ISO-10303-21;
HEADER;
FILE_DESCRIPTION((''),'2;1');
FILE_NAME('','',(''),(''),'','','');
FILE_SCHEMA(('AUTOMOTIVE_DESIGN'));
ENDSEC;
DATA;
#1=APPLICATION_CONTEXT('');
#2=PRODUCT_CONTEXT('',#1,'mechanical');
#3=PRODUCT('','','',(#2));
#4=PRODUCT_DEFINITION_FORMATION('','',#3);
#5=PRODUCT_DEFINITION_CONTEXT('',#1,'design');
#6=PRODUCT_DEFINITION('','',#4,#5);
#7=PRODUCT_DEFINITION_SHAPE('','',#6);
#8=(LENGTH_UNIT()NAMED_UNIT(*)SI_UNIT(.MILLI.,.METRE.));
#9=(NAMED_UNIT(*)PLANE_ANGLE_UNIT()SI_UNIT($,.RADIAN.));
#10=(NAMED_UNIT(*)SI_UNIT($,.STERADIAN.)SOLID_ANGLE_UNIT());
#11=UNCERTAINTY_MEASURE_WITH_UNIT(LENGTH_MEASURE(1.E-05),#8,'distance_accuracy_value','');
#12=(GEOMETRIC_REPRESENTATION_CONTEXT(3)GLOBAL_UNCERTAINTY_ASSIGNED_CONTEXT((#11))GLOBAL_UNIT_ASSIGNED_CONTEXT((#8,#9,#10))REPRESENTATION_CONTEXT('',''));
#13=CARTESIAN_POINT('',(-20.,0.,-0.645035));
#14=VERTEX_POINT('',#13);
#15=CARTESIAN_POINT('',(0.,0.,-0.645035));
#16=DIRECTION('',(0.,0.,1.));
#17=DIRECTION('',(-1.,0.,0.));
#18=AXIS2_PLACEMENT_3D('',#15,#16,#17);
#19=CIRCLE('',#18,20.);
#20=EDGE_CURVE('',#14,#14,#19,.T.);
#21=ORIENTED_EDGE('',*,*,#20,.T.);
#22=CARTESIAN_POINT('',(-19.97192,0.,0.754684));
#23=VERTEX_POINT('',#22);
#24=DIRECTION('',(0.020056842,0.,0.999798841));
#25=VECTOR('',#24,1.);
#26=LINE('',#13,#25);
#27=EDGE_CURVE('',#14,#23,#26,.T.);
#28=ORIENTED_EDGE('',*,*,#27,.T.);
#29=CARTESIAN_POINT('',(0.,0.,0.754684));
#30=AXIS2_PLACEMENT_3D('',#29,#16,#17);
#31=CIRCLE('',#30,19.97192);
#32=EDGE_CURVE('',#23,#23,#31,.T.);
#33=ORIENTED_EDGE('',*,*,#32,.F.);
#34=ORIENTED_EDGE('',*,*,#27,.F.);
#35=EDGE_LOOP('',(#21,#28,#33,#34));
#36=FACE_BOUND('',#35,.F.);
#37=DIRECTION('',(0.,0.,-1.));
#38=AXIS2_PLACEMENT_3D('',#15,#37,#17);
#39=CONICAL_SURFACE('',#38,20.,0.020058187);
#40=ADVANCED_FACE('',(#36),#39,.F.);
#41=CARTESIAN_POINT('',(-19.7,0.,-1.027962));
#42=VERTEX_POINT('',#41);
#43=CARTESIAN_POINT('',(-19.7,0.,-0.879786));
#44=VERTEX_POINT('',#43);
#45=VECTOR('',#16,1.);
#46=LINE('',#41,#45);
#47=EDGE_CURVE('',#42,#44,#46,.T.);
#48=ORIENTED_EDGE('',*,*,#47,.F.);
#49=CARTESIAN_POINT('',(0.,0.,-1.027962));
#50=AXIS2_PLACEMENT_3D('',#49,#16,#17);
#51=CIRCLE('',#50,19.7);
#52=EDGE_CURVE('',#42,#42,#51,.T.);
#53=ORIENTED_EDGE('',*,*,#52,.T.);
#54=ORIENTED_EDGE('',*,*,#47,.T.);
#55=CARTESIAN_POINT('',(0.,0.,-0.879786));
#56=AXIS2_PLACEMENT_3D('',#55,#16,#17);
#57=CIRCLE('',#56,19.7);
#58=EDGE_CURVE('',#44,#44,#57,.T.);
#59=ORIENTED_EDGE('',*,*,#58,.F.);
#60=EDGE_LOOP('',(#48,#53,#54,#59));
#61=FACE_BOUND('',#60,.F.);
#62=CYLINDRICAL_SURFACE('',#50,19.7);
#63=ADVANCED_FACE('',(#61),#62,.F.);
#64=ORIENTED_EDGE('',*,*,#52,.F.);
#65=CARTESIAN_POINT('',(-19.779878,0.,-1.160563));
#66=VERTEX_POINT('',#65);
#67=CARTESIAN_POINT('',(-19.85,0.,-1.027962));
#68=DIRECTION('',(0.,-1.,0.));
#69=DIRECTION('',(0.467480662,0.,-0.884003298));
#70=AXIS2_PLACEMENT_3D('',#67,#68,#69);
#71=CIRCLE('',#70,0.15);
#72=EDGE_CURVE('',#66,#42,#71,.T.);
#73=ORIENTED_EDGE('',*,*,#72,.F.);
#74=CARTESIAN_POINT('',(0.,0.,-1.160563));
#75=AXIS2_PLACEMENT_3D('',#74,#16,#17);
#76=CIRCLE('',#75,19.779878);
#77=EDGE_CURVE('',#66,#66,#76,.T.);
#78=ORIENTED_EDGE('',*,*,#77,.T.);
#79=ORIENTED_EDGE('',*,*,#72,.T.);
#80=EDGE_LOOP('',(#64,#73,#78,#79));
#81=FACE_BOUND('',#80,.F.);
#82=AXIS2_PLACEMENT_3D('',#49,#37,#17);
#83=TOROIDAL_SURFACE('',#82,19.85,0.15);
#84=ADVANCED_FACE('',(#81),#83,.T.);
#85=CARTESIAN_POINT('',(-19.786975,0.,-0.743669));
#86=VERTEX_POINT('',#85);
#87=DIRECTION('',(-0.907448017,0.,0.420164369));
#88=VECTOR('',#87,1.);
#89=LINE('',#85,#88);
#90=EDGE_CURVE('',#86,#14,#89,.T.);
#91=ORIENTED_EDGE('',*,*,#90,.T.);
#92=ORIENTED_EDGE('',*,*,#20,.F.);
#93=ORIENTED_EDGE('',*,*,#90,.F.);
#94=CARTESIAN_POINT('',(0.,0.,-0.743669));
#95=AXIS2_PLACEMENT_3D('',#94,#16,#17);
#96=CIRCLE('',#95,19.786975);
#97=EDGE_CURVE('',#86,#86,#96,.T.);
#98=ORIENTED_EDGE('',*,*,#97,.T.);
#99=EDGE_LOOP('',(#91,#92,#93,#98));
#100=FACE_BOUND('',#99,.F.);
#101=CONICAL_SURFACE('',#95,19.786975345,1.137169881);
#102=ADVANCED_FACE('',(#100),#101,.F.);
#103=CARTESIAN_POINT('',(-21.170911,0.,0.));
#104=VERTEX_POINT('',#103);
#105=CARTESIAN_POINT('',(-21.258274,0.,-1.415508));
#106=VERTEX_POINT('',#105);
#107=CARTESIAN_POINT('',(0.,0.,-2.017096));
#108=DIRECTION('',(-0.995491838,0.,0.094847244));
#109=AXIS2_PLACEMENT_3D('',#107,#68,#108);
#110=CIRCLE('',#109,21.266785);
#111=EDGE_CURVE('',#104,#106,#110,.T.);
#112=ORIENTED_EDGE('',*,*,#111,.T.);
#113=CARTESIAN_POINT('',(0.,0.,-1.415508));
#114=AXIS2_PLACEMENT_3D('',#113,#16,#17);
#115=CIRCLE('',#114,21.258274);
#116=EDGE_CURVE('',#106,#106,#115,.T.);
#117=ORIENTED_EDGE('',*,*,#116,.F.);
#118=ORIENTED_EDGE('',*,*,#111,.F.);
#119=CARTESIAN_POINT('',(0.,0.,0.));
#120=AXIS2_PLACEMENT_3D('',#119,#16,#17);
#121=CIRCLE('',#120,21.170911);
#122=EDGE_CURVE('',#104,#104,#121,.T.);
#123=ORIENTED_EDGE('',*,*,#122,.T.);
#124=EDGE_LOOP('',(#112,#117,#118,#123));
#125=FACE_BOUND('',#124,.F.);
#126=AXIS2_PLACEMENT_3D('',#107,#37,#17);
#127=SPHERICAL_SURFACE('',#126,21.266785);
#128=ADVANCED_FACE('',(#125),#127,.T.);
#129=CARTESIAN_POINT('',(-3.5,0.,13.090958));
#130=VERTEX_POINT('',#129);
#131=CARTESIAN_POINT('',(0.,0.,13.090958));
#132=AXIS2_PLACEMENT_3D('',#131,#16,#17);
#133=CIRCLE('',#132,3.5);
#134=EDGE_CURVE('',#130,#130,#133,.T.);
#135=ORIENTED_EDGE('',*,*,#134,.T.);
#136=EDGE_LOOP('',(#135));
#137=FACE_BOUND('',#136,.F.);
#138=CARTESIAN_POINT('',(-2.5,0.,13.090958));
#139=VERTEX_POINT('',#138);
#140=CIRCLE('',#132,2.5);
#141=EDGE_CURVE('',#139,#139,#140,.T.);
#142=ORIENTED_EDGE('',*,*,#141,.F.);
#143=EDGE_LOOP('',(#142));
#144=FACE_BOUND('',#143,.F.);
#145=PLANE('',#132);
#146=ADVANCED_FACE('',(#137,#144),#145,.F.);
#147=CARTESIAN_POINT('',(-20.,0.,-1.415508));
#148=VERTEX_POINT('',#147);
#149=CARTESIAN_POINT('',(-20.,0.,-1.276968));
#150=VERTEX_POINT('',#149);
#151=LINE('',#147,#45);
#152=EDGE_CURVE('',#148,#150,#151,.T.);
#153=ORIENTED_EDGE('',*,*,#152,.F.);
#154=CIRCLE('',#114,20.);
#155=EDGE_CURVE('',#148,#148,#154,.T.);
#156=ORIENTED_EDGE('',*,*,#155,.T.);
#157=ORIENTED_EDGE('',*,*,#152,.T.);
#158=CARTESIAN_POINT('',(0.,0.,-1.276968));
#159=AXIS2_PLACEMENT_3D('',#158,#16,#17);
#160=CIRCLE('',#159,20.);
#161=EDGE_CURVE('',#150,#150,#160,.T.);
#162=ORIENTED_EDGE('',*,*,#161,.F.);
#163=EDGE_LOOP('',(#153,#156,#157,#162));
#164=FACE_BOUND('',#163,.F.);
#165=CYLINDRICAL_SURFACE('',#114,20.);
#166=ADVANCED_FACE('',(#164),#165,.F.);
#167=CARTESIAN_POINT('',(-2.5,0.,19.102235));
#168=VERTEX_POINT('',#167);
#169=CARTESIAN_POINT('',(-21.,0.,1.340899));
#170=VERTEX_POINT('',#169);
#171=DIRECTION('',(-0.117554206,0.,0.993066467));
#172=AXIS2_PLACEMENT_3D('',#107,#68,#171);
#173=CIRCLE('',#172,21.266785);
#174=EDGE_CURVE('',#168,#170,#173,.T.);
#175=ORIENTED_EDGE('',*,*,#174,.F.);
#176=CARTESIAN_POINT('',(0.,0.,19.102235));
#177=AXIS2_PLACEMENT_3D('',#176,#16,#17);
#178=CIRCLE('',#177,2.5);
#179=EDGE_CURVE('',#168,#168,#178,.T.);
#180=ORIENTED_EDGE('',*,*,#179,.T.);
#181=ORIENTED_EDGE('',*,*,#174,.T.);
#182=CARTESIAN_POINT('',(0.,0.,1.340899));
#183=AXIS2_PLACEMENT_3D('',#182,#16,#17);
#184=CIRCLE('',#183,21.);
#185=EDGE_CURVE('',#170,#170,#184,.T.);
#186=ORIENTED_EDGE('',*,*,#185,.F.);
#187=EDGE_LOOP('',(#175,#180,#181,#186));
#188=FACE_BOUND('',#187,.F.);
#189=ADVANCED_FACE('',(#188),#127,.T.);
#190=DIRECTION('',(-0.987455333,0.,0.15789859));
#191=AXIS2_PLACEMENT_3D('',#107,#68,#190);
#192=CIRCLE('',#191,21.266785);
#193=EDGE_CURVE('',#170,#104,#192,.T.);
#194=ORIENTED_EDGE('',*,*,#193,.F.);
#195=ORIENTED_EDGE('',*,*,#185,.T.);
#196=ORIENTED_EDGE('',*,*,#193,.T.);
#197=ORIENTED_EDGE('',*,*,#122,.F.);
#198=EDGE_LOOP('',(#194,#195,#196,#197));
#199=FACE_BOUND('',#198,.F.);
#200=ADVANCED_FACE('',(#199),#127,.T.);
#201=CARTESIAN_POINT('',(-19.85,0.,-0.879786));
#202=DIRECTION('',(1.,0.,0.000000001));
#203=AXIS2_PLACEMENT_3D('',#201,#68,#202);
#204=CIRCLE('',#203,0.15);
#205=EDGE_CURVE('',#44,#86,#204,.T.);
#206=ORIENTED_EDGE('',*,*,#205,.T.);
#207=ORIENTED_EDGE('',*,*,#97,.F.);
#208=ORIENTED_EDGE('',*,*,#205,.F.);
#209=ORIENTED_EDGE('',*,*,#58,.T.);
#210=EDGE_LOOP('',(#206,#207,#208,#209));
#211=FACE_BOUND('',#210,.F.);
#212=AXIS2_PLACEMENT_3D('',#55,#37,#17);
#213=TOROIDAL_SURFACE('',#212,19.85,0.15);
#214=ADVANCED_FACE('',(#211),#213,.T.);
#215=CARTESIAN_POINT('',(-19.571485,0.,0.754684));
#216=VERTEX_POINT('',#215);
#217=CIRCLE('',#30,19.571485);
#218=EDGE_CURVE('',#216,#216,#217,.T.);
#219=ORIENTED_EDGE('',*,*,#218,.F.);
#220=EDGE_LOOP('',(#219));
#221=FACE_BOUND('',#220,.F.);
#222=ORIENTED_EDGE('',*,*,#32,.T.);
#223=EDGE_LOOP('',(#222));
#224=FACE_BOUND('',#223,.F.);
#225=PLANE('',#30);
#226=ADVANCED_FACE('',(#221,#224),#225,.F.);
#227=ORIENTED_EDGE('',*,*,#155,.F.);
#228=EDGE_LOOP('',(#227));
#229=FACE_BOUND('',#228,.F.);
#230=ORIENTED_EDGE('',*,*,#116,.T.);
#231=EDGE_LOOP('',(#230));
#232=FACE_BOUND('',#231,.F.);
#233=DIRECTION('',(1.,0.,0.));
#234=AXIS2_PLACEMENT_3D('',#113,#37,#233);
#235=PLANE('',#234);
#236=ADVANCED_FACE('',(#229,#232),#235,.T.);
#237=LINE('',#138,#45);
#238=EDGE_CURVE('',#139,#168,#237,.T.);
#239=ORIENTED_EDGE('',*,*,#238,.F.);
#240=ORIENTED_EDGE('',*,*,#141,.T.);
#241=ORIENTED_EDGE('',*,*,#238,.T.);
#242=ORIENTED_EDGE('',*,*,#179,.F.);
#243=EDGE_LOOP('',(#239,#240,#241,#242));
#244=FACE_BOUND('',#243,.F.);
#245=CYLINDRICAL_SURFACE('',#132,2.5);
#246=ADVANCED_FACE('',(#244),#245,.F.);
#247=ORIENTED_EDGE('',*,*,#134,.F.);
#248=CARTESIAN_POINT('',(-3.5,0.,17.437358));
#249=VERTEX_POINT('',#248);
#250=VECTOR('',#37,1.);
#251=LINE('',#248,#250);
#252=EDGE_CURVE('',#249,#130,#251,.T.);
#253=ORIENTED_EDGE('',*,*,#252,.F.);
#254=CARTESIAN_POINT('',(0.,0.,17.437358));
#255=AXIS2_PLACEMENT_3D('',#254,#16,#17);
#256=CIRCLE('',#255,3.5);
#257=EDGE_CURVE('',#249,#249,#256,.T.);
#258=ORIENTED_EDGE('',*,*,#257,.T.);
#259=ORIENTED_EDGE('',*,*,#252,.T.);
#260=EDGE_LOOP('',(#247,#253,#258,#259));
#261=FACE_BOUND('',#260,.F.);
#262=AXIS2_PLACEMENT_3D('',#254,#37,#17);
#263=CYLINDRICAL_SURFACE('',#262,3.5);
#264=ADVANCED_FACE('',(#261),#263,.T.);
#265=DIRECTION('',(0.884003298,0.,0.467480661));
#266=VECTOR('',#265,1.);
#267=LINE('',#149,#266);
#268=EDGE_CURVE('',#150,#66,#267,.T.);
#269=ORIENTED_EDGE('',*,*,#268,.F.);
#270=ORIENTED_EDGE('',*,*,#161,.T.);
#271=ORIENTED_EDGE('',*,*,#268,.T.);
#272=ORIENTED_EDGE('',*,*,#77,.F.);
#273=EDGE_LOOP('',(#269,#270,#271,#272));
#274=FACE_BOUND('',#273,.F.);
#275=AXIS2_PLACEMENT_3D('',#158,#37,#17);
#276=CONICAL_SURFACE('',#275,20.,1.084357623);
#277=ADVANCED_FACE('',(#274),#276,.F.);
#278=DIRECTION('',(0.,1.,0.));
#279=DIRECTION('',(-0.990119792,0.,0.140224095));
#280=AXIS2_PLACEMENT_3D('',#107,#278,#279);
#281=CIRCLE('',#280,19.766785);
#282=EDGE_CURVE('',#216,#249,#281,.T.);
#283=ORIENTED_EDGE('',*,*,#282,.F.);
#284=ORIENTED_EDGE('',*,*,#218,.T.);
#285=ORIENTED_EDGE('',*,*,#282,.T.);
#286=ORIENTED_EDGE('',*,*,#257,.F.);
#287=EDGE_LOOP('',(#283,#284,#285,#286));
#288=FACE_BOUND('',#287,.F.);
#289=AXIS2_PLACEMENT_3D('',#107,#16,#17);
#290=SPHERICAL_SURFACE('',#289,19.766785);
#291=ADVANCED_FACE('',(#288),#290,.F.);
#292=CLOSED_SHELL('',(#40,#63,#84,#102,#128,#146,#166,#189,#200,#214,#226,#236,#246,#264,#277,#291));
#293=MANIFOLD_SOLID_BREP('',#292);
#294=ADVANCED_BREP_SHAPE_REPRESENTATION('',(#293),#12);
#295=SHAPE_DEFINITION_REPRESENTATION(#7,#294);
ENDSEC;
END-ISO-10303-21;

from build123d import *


with BuildPart() as f1:
    # F0 (on Front) → F1 (revolve)
    with BuildSketch(Plane.XZ):
        with BuildLine():
            ThreePointArc((-2.5, 19.1022348606), (-14.7285015996, 13.3239396782), (-21, 1.3408993961))
            Line((-21, 1.3408993961), (-21, 0))
            Line((-21, 0), (-21, -1.4155078679))
            Line((-21, -1.4155078679), (-20, -1.4155078679))
            Line((-20, -1.4155078679), (-20, -1.276968047))
            Line((-20, -1.276968047), (-19.7798779008, -1.1605625712))
            ThreePointArc((-19.7798779008, -1.1605625712), (-19.7215120339, -1.1053626098), (-19.7, -1.0279620765))
            Line((-19.7, -1.0279620765), (-19.7, -0.8797861519))
            ThreePointArc((-19.7, -0.8797861519), (-19.7236004385, -0.7990201266), (-19.7869753447, -0.7436689494))
            Line((-19.7869753447, -0.7436689494), (-20, -0.6450347927))
            Line((-20, -0.6450347927), (-19.9719204218, 0.7546835851))
            Line((-19.9719204218, 0.7546835851), (-19.5714847863, 0.7546835851))
            ThreePointArc((-19.5714847863, 0.7546835851), (-14.2355631855, 11.6969304474), (-3.5, 17.4373580286))
            Line((-3.5, 17.4373580286), (-3.5, 17.5909579977))
            Line((-3.5, 17.5909579977), (-2.5, 17.5909579977))
            Line((-2.5, 17.5909579977), (-2.5, 19.1022348606))
        make_face()
        with BuildLine():
            Line((-21, 0), (-21, 1.3408993961))
            ThreePointArc((-21, 1.3408993961), (-21.096111691, 0.6718079569), (-21.1709106225, 0))
            Line((-21.1709106225, 0), (-21, 0))
        make_face()
        with BuildLine():
            Line((-21, -1.4155078679), (-21, 0))
            Line((-21, 0), (-21.1709106225, 0))
            ThreePointArc((-21.1709106225, 0), (-21.2263950777, -0.7070254877), (-21.2582742561, -1.4155078679))
            Line((-21.2582742561, -1.4155078679), (-21, -1.4155078679))
        make_face()
        with BuildLine():
            ThreePointArc((-3.5, 17.4373580286), (-3.0009828786, 17.5205569636), (-2.5, 17.5909579977))
            Line((-2.5, 17.5909579977), (-3.5, 17.5909579977))
            Line((-3.5, 17.5909579977), (-3.5, 17.4373580286))
        make_face()
        with BuildLine():
            Line((-2.5, 14.7757632658), (-2.5, 17.5909579977))
            ThreePointArc((-2.5, 17.5909579977), (-3.0009828786, 17.5205569636), (-3.5, 17.4373580286))
            Line((-3.5, 17.4373580286), (-3.5, 13.0909579977))
            Line((-3.5, 13.0909579977), (-2.5, 13.0909579977))
            Line((-2.5, 13.0909579977), (-2.5, 14.7757632658))
        make_face()
    revolve(axis=Axis((0, 0, 4.2133438401), (0, 0, 1)))


solid = f1.part
